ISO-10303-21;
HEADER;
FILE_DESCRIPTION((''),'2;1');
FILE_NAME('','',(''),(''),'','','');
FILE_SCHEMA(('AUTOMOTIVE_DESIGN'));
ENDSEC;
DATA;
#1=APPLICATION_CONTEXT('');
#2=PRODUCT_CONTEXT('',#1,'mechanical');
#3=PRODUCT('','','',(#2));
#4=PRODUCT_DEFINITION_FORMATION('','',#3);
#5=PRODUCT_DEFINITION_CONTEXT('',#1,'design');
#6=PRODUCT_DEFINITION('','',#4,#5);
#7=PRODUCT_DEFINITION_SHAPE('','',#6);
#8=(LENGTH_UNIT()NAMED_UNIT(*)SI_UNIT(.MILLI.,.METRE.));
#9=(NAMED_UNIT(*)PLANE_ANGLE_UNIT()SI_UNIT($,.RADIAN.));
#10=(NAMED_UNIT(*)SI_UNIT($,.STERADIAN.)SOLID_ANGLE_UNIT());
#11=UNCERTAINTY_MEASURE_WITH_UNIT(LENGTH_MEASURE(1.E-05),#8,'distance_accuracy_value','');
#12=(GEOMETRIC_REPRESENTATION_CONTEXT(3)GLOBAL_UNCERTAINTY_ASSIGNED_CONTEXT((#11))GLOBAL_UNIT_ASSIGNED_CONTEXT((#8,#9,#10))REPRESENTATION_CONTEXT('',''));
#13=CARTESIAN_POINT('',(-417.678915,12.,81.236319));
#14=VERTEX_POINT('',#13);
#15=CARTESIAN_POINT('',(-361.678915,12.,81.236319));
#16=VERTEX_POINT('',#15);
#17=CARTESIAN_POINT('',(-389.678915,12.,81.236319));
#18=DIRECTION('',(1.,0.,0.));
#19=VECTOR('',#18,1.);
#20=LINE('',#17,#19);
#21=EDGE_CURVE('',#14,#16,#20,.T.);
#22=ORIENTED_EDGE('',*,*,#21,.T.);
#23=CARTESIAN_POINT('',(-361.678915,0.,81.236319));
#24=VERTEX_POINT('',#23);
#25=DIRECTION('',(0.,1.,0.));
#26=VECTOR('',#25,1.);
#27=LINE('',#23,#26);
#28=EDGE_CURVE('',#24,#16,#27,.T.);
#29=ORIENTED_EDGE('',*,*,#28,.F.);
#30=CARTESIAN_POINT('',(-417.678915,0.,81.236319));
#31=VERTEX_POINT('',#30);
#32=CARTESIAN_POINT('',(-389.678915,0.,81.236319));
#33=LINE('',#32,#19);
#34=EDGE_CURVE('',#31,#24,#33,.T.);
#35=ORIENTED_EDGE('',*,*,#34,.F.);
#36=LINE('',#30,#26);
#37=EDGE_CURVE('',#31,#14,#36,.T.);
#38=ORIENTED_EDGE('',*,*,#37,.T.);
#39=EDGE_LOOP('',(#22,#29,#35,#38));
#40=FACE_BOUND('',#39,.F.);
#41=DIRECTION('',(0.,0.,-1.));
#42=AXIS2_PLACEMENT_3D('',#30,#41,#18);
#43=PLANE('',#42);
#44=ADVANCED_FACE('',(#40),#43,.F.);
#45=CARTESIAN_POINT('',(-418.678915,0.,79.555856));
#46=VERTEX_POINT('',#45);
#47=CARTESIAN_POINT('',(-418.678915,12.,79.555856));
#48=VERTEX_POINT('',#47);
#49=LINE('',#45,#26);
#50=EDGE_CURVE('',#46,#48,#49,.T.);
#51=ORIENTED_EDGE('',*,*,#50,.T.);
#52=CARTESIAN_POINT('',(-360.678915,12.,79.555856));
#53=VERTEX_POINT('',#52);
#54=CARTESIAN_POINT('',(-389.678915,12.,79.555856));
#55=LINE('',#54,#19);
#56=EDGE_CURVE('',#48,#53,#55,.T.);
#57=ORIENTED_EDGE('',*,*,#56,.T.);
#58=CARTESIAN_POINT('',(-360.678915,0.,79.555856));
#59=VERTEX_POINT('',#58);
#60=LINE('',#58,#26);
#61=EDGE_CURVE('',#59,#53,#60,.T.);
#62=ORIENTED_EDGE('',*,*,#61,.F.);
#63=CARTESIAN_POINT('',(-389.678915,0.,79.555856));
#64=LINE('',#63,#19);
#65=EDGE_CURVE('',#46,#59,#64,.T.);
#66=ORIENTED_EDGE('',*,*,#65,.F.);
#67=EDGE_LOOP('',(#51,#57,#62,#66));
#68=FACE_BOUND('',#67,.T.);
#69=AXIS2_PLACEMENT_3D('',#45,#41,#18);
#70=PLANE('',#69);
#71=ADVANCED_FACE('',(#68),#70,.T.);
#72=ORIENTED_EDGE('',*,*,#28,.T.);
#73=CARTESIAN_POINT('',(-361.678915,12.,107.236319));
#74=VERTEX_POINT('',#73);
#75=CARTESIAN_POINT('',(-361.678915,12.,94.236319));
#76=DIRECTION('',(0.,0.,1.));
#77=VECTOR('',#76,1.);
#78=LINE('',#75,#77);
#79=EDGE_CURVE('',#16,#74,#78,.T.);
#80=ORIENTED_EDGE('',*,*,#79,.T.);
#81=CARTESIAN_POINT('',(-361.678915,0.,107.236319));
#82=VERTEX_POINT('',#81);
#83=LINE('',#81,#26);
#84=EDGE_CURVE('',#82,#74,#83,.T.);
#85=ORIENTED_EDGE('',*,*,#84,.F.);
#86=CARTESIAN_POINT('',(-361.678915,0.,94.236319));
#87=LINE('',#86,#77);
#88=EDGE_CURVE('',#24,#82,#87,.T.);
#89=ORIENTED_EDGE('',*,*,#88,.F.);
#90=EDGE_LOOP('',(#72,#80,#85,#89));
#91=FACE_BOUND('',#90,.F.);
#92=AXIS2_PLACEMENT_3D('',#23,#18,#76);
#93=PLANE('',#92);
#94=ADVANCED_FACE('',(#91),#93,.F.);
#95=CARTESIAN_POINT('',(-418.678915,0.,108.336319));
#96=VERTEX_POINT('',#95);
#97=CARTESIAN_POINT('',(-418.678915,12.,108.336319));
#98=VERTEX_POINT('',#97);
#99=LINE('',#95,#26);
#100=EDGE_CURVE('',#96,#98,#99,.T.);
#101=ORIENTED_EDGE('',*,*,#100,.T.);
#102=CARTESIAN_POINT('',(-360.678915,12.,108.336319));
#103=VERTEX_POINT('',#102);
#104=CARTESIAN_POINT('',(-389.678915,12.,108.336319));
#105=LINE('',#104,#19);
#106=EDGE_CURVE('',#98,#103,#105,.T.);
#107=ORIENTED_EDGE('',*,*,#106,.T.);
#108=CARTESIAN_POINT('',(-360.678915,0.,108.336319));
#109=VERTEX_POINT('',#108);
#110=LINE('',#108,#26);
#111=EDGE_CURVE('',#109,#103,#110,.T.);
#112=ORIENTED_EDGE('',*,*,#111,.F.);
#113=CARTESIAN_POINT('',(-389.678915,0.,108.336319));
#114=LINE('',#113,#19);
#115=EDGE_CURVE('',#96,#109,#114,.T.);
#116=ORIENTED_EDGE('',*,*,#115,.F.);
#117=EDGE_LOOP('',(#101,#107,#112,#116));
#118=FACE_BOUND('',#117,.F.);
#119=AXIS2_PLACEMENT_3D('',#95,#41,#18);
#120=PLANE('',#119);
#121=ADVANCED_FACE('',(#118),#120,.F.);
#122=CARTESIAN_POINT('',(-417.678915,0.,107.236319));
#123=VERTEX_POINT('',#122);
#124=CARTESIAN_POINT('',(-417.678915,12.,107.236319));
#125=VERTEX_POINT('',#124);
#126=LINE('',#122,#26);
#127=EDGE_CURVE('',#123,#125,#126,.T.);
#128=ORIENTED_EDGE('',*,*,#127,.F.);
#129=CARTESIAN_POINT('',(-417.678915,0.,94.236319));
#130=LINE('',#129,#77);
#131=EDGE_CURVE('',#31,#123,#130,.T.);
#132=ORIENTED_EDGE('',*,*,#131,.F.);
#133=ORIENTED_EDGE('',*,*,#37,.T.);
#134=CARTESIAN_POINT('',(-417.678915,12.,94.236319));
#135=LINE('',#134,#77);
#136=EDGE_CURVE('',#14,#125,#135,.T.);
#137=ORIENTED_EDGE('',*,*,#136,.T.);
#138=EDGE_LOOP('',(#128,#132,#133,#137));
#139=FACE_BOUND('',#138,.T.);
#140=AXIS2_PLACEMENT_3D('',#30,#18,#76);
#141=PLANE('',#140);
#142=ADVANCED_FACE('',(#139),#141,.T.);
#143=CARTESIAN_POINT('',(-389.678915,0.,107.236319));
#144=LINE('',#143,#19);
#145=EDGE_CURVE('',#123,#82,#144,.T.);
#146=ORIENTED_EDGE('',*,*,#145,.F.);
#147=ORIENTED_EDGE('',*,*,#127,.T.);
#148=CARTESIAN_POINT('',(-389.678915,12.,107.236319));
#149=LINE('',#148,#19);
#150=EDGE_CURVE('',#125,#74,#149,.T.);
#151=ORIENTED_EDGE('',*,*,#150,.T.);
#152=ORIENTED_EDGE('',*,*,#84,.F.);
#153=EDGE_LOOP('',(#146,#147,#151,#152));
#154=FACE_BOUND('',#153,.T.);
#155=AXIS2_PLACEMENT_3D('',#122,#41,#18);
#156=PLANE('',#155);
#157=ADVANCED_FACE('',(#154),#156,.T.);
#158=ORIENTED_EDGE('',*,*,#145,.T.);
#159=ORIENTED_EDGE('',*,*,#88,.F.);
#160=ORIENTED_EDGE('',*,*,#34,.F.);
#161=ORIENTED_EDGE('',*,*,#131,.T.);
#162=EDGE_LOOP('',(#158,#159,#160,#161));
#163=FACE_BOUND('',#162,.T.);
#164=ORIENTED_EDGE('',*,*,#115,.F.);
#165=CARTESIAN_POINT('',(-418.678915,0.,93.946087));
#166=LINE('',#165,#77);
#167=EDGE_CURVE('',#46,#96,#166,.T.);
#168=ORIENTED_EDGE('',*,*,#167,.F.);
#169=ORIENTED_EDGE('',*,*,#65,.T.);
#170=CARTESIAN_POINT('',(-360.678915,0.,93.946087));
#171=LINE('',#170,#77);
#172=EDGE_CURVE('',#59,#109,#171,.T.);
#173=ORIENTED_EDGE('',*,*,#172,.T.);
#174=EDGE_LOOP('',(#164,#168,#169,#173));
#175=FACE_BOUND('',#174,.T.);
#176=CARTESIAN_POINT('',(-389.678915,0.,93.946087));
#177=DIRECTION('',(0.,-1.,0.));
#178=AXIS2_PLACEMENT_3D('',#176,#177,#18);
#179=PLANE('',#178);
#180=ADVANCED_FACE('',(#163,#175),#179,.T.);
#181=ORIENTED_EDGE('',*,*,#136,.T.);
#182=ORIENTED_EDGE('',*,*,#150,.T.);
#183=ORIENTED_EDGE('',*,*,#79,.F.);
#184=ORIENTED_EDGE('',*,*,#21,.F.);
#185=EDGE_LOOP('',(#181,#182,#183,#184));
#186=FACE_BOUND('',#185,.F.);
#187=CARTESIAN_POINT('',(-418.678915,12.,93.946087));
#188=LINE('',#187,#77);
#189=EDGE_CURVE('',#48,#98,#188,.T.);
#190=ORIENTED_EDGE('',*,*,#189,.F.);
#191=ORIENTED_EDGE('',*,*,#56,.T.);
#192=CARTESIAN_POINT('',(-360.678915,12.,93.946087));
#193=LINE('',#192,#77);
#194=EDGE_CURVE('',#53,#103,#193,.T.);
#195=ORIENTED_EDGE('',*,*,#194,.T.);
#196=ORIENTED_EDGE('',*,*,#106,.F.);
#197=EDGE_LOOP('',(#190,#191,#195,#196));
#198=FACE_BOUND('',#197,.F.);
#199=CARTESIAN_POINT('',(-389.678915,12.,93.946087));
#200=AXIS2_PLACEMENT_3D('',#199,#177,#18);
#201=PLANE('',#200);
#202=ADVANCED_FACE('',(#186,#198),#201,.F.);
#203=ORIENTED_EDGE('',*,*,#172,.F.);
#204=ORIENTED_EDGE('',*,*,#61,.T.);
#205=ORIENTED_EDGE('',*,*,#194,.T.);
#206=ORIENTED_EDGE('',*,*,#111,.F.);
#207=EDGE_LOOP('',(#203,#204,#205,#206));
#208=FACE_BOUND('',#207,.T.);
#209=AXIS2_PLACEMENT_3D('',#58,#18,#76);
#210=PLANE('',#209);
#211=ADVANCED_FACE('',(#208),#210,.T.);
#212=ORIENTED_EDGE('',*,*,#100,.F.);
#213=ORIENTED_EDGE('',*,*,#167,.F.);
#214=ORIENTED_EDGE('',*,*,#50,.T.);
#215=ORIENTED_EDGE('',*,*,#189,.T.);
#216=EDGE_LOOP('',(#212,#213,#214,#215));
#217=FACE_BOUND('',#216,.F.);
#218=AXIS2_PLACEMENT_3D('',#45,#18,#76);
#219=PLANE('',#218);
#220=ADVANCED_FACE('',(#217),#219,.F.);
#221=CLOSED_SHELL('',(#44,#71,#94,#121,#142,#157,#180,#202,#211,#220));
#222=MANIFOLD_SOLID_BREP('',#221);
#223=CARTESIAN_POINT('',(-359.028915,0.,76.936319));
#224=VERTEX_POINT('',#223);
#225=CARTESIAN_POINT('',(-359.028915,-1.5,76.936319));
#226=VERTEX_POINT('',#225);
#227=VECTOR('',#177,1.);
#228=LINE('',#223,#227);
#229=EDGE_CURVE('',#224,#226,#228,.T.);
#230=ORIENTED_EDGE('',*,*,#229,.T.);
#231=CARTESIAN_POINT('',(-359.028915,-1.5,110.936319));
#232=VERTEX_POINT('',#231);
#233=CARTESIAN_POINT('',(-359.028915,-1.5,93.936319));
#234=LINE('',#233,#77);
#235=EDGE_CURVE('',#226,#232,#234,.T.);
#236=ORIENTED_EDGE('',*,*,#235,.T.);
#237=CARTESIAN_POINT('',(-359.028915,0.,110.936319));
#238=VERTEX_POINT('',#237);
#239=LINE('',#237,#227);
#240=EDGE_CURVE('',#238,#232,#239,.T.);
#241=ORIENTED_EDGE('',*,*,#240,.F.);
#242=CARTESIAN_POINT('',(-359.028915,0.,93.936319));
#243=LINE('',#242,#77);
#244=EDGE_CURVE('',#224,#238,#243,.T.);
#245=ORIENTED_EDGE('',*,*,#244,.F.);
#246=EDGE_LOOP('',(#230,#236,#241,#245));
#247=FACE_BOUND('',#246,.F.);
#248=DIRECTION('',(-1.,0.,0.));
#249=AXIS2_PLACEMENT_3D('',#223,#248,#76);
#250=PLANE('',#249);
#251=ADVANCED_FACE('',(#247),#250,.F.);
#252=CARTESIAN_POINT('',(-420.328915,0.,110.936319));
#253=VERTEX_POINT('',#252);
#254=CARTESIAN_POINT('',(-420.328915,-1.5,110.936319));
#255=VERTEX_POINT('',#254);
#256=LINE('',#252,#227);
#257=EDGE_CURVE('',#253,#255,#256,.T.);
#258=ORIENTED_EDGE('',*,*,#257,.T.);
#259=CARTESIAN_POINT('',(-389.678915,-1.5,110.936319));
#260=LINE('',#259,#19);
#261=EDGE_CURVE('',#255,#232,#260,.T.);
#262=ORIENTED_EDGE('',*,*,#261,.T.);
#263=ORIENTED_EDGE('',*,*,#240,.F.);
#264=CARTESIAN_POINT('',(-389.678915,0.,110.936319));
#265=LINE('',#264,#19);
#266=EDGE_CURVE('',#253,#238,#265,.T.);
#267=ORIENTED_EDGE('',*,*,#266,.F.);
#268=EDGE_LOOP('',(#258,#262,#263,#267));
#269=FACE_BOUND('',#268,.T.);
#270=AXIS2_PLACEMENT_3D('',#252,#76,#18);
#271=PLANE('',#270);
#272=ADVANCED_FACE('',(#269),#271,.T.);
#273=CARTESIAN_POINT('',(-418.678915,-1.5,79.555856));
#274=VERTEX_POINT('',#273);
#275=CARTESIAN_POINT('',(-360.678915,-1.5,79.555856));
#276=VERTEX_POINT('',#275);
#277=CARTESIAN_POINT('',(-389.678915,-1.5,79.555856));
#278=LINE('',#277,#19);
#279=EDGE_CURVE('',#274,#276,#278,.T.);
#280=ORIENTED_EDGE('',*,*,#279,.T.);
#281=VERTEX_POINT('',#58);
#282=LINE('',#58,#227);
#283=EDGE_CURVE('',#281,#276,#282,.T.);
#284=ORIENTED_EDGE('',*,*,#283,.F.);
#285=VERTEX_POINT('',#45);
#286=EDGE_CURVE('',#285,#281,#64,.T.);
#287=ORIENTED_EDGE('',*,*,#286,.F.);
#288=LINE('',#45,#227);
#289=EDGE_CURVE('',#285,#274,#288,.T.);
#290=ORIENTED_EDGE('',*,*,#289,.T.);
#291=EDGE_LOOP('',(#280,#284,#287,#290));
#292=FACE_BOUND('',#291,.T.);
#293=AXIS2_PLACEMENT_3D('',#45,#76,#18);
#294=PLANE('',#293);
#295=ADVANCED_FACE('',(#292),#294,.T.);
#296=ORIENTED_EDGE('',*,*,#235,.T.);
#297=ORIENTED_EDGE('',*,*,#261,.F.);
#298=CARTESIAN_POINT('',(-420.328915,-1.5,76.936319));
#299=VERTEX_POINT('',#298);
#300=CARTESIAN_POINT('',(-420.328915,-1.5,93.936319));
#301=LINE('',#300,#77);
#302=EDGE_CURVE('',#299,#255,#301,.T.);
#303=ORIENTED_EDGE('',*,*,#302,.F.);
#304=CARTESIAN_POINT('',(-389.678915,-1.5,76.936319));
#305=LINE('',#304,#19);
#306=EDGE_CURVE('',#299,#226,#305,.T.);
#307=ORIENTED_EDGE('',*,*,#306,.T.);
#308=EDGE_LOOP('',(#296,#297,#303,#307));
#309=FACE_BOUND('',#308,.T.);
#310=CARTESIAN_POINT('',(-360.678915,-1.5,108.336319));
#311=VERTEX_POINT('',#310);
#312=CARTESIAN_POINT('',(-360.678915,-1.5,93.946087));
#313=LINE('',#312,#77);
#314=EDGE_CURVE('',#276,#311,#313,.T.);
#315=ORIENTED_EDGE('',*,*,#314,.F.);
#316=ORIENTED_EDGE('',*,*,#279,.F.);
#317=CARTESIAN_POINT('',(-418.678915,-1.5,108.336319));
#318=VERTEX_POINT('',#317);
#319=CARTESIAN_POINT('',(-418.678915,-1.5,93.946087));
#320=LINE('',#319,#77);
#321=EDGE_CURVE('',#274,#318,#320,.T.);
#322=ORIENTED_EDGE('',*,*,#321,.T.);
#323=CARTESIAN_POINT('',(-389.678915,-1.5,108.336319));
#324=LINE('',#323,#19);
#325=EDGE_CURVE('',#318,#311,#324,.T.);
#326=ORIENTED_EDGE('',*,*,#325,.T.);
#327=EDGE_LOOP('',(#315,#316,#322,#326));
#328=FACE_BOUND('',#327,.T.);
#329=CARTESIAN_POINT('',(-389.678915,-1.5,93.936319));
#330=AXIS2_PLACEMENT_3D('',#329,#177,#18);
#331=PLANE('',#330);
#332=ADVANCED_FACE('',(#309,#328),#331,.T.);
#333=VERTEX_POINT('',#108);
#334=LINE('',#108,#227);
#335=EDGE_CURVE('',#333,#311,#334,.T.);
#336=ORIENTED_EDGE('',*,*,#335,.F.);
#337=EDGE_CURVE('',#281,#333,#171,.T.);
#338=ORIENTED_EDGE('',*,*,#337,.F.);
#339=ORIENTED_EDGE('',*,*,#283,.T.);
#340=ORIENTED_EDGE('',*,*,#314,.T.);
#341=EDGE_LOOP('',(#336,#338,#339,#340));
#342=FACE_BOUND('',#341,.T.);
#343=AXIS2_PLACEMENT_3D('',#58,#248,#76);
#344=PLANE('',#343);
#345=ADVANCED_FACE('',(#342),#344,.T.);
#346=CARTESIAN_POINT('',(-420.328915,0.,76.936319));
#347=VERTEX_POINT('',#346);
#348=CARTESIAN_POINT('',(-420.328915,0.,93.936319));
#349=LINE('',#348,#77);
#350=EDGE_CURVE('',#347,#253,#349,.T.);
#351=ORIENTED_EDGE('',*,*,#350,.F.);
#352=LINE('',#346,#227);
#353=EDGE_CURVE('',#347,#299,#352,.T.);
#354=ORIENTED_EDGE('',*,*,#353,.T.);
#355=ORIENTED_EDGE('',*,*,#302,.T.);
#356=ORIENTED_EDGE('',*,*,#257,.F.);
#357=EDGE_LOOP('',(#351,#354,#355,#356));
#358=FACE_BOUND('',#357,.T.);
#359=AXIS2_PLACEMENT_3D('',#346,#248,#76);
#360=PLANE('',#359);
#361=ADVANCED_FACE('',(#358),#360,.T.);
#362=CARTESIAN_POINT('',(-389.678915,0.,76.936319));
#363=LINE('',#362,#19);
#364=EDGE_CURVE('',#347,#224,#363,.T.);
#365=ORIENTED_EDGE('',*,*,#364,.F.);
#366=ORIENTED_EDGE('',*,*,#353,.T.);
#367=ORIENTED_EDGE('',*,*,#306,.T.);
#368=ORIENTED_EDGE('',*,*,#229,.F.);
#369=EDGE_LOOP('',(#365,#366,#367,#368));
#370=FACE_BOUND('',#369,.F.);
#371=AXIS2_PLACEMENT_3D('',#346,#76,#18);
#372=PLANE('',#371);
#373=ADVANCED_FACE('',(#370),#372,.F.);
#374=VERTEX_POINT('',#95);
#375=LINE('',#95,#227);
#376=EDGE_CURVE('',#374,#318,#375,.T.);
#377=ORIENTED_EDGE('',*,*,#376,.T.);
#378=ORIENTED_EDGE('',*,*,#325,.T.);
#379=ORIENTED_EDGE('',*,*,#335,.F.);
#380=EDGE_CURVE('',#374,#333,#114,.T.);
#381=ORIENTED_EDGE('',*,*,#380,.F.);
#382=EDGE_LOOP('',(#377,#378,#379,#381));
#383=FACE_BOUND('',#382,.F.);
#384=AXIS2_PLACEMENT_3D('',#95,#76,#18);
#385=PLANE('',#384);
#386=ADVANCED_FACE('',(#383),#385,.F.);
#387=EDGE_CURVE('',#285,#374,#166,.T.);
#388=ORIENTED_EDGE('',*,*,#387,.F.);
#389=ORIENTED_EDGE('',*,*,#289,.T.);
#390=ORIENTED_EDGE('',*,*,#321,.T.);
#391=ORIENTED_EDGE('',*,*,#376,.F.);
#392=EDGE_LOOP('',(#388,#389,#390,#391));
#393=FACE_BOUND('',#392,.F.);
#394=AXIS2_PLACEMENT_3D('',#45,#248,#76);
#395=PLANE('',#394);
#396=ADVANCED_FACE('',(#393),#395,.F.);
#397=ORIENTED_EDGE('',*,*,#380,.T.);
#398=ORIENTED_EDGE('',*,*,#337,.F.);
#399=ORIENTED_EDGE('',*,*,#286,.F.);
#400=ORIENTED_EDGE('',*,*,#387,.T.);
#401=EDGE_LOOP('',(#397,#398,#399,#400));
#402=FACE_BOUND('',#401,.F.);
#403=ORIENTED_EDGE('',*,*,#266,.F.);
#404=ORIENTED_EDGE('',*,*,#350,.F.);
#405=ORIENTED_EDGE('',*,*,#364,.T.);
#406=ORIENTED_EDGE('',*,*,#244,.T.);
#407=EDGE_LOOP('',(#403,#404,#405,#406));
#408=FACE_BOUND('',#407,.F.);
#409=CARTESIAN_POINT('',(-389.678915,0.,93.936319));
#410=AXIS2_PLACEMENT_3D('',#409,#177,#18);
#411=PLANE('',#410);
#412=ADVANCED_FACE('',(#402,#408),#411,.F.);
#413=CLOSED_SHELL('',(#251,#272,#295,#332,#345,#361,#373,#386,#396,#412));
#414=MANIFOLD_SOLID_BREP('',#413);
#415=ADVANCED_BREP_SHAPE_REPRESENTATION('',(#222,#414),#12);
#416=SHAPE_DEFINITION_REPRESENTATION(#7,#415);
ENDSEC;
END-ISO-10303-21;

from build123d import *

# Parameters (mm, degrees)
F0_W     = 58
F0_H     = 28.780463
F0_W_2   = 56
F0_H_2   = 26
F1_DEPTH = 12
F0_W_3   = 61.3
F0_H_3   = 34
F2_DEPTH = 1.5


with BuildPart() as f1:
    # F0 (on Front) → F1 (new body)
    with BuildSketch(Plane.XZ):
        with Locations((-389.678915, 93.946087)):
            Rectangle(F0_W, F0_H)
        with Locations((-389.678915, 94.236319)):
            Rectangle(F0_W_2, F0_H_2, mode=Mode.SUBTRACT)
    extrude(amount=-F1_DEPTH)


with BuildPart() as f2:
    # F0 (on Front) → F2 (new body)
    with BuildSketch(Plane.XZ):
        with Locations((-389.678915, 93.936319)):
            Rectangle(F0_W_3, F0_H_3)
        with Locations((-389.678915, 93.946087)):
            Rectangle(F0_W, F0_H, mode=Mode.SUBTRACT)
    extrude(amount=F2_DEPTH)


solid = Compound([f1.part, f2.part])
